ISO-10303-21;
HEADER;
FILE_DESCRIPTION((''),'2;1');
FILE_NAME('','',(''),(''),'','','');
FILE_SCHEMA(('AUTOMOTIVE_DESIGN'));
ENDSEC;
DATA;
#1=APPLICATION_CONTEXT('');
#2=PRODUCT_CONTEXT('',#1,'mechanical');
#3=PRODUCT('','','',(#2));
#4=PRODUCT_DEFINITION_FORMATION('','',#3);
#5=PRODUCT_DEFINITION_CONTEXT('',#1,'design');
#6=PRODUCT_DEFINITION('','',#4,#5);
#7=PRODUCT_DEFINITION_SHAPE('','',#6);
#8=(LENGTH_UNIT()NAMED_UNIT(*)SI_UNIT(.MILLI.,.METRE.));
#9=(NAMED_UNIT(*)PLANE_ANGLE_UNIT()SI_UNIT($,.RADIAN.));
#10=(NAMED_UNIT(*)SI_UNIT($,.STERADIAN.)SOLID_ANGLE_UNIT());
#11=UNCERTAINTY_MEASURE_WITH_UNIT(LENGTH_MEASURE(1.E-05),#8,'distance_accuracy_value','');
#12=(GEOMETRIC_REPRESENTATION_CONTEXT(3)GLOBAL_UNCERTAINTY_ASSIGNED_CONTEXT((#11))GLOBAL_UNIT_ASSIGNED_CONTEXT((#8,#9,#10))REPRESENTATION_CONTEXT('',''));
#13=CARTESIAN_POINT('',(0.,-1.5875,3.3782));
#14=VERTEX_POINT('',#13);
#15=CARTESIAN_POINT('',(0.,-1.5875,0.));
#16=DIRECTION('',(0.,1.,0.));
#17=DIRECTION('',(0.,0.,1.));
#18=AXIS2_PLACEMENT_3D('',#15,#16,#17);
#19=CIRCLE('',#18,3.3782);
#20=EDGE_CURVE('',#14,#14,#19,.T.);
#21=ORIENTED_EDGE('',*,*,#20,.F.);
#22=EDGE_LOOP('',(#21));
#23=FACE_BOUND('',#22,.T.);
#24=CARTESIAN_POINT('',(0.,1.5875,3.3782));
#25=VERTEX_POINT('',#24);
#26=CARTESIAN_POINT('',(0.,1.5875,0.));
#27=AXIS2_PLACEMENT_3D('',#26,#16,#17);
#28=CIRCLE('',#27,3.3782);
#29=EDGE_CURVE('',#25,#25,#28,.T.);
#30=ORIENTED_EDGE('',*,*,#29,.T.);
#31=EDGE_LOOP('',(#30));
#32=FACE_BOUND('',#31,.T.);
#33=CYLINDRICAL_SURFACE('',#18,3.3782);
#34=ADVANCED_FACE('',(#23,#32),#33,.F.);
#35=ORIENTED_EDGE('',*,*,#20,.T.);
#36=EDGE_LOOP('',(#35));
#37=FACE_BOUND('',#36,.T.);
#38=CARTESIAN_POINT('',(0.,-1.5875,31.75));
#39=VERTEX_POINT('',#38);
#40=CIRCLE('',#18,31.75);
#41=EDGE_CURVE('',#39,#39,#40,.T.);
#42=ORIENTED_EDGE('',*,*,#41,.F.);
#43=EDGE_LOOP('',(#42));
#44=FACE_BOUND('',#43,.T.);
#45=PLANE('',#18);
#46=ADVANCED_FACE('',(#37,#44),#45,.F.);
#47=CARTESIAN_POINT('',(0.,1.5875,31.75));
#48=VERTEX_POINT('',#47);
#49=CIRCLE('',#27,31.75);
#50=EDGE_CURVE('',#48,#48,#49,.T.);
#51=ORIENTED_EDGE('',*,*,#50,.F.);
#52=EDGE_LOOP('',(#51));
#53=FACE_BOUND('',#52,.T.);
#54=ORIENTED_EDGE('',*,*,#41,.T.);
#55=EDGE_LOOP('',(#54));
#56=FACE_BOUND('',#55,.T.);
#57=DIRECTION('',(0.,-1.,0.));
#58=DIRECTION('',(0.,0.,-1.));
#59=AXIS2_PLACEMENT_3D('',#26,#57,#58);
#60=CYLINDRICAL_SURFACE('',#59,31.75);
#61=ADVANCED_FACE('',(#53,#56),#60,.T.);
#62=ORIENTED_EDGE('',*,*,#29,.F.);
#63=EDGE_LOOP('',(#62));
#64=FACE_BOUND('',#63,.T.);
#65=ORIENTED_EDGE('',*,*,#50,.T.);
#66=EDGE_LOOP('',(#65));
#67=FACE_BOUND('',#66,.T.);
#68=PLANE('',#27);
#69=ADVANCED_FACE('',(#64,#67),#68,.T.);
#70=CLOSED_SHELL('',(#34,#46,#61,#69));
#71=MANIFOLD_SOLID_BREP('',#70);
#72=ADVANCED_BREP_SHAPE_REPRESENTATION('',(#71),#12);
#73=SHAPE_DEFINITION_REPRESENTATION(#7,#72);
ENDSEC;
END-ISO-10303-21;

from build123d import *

# Parameters (mm, degrees)
SKETCH1_R           = 31.75
BOSS_EXTRUDE1_DEPTH = 1.5875
SKETCH2_R           = 3.3782
CUT_EXTRUDE1_DEPTH  = 4.175


with BuildPart() as part:
    # Sketch1 → Boss-Extrude1 (new body, symmetric)
    with BuildSketch(Plane(origin=(0, 0, 0), x_dir=(1, 0, 0), z_dir=(0, 1, 0))):
        Circle(SKETCH1_R)
    extrude(amount=BOSS_EXTRUDE1_DEPTH, both=True)

    # Sketch2 → Cut-Extrude1 (cut, through all)
    with BuildSketch(Plane(origin=(0, 1.5875, 0), x_dir=(1, 0, 0), z_dir=(0, 1, 0))):
        Circle(SKETCH2_R)
    extrude(amount=-CUT_EXTRUDE1_DEPTH, mode=Mode.SUBTRACT)


solid = part.part
